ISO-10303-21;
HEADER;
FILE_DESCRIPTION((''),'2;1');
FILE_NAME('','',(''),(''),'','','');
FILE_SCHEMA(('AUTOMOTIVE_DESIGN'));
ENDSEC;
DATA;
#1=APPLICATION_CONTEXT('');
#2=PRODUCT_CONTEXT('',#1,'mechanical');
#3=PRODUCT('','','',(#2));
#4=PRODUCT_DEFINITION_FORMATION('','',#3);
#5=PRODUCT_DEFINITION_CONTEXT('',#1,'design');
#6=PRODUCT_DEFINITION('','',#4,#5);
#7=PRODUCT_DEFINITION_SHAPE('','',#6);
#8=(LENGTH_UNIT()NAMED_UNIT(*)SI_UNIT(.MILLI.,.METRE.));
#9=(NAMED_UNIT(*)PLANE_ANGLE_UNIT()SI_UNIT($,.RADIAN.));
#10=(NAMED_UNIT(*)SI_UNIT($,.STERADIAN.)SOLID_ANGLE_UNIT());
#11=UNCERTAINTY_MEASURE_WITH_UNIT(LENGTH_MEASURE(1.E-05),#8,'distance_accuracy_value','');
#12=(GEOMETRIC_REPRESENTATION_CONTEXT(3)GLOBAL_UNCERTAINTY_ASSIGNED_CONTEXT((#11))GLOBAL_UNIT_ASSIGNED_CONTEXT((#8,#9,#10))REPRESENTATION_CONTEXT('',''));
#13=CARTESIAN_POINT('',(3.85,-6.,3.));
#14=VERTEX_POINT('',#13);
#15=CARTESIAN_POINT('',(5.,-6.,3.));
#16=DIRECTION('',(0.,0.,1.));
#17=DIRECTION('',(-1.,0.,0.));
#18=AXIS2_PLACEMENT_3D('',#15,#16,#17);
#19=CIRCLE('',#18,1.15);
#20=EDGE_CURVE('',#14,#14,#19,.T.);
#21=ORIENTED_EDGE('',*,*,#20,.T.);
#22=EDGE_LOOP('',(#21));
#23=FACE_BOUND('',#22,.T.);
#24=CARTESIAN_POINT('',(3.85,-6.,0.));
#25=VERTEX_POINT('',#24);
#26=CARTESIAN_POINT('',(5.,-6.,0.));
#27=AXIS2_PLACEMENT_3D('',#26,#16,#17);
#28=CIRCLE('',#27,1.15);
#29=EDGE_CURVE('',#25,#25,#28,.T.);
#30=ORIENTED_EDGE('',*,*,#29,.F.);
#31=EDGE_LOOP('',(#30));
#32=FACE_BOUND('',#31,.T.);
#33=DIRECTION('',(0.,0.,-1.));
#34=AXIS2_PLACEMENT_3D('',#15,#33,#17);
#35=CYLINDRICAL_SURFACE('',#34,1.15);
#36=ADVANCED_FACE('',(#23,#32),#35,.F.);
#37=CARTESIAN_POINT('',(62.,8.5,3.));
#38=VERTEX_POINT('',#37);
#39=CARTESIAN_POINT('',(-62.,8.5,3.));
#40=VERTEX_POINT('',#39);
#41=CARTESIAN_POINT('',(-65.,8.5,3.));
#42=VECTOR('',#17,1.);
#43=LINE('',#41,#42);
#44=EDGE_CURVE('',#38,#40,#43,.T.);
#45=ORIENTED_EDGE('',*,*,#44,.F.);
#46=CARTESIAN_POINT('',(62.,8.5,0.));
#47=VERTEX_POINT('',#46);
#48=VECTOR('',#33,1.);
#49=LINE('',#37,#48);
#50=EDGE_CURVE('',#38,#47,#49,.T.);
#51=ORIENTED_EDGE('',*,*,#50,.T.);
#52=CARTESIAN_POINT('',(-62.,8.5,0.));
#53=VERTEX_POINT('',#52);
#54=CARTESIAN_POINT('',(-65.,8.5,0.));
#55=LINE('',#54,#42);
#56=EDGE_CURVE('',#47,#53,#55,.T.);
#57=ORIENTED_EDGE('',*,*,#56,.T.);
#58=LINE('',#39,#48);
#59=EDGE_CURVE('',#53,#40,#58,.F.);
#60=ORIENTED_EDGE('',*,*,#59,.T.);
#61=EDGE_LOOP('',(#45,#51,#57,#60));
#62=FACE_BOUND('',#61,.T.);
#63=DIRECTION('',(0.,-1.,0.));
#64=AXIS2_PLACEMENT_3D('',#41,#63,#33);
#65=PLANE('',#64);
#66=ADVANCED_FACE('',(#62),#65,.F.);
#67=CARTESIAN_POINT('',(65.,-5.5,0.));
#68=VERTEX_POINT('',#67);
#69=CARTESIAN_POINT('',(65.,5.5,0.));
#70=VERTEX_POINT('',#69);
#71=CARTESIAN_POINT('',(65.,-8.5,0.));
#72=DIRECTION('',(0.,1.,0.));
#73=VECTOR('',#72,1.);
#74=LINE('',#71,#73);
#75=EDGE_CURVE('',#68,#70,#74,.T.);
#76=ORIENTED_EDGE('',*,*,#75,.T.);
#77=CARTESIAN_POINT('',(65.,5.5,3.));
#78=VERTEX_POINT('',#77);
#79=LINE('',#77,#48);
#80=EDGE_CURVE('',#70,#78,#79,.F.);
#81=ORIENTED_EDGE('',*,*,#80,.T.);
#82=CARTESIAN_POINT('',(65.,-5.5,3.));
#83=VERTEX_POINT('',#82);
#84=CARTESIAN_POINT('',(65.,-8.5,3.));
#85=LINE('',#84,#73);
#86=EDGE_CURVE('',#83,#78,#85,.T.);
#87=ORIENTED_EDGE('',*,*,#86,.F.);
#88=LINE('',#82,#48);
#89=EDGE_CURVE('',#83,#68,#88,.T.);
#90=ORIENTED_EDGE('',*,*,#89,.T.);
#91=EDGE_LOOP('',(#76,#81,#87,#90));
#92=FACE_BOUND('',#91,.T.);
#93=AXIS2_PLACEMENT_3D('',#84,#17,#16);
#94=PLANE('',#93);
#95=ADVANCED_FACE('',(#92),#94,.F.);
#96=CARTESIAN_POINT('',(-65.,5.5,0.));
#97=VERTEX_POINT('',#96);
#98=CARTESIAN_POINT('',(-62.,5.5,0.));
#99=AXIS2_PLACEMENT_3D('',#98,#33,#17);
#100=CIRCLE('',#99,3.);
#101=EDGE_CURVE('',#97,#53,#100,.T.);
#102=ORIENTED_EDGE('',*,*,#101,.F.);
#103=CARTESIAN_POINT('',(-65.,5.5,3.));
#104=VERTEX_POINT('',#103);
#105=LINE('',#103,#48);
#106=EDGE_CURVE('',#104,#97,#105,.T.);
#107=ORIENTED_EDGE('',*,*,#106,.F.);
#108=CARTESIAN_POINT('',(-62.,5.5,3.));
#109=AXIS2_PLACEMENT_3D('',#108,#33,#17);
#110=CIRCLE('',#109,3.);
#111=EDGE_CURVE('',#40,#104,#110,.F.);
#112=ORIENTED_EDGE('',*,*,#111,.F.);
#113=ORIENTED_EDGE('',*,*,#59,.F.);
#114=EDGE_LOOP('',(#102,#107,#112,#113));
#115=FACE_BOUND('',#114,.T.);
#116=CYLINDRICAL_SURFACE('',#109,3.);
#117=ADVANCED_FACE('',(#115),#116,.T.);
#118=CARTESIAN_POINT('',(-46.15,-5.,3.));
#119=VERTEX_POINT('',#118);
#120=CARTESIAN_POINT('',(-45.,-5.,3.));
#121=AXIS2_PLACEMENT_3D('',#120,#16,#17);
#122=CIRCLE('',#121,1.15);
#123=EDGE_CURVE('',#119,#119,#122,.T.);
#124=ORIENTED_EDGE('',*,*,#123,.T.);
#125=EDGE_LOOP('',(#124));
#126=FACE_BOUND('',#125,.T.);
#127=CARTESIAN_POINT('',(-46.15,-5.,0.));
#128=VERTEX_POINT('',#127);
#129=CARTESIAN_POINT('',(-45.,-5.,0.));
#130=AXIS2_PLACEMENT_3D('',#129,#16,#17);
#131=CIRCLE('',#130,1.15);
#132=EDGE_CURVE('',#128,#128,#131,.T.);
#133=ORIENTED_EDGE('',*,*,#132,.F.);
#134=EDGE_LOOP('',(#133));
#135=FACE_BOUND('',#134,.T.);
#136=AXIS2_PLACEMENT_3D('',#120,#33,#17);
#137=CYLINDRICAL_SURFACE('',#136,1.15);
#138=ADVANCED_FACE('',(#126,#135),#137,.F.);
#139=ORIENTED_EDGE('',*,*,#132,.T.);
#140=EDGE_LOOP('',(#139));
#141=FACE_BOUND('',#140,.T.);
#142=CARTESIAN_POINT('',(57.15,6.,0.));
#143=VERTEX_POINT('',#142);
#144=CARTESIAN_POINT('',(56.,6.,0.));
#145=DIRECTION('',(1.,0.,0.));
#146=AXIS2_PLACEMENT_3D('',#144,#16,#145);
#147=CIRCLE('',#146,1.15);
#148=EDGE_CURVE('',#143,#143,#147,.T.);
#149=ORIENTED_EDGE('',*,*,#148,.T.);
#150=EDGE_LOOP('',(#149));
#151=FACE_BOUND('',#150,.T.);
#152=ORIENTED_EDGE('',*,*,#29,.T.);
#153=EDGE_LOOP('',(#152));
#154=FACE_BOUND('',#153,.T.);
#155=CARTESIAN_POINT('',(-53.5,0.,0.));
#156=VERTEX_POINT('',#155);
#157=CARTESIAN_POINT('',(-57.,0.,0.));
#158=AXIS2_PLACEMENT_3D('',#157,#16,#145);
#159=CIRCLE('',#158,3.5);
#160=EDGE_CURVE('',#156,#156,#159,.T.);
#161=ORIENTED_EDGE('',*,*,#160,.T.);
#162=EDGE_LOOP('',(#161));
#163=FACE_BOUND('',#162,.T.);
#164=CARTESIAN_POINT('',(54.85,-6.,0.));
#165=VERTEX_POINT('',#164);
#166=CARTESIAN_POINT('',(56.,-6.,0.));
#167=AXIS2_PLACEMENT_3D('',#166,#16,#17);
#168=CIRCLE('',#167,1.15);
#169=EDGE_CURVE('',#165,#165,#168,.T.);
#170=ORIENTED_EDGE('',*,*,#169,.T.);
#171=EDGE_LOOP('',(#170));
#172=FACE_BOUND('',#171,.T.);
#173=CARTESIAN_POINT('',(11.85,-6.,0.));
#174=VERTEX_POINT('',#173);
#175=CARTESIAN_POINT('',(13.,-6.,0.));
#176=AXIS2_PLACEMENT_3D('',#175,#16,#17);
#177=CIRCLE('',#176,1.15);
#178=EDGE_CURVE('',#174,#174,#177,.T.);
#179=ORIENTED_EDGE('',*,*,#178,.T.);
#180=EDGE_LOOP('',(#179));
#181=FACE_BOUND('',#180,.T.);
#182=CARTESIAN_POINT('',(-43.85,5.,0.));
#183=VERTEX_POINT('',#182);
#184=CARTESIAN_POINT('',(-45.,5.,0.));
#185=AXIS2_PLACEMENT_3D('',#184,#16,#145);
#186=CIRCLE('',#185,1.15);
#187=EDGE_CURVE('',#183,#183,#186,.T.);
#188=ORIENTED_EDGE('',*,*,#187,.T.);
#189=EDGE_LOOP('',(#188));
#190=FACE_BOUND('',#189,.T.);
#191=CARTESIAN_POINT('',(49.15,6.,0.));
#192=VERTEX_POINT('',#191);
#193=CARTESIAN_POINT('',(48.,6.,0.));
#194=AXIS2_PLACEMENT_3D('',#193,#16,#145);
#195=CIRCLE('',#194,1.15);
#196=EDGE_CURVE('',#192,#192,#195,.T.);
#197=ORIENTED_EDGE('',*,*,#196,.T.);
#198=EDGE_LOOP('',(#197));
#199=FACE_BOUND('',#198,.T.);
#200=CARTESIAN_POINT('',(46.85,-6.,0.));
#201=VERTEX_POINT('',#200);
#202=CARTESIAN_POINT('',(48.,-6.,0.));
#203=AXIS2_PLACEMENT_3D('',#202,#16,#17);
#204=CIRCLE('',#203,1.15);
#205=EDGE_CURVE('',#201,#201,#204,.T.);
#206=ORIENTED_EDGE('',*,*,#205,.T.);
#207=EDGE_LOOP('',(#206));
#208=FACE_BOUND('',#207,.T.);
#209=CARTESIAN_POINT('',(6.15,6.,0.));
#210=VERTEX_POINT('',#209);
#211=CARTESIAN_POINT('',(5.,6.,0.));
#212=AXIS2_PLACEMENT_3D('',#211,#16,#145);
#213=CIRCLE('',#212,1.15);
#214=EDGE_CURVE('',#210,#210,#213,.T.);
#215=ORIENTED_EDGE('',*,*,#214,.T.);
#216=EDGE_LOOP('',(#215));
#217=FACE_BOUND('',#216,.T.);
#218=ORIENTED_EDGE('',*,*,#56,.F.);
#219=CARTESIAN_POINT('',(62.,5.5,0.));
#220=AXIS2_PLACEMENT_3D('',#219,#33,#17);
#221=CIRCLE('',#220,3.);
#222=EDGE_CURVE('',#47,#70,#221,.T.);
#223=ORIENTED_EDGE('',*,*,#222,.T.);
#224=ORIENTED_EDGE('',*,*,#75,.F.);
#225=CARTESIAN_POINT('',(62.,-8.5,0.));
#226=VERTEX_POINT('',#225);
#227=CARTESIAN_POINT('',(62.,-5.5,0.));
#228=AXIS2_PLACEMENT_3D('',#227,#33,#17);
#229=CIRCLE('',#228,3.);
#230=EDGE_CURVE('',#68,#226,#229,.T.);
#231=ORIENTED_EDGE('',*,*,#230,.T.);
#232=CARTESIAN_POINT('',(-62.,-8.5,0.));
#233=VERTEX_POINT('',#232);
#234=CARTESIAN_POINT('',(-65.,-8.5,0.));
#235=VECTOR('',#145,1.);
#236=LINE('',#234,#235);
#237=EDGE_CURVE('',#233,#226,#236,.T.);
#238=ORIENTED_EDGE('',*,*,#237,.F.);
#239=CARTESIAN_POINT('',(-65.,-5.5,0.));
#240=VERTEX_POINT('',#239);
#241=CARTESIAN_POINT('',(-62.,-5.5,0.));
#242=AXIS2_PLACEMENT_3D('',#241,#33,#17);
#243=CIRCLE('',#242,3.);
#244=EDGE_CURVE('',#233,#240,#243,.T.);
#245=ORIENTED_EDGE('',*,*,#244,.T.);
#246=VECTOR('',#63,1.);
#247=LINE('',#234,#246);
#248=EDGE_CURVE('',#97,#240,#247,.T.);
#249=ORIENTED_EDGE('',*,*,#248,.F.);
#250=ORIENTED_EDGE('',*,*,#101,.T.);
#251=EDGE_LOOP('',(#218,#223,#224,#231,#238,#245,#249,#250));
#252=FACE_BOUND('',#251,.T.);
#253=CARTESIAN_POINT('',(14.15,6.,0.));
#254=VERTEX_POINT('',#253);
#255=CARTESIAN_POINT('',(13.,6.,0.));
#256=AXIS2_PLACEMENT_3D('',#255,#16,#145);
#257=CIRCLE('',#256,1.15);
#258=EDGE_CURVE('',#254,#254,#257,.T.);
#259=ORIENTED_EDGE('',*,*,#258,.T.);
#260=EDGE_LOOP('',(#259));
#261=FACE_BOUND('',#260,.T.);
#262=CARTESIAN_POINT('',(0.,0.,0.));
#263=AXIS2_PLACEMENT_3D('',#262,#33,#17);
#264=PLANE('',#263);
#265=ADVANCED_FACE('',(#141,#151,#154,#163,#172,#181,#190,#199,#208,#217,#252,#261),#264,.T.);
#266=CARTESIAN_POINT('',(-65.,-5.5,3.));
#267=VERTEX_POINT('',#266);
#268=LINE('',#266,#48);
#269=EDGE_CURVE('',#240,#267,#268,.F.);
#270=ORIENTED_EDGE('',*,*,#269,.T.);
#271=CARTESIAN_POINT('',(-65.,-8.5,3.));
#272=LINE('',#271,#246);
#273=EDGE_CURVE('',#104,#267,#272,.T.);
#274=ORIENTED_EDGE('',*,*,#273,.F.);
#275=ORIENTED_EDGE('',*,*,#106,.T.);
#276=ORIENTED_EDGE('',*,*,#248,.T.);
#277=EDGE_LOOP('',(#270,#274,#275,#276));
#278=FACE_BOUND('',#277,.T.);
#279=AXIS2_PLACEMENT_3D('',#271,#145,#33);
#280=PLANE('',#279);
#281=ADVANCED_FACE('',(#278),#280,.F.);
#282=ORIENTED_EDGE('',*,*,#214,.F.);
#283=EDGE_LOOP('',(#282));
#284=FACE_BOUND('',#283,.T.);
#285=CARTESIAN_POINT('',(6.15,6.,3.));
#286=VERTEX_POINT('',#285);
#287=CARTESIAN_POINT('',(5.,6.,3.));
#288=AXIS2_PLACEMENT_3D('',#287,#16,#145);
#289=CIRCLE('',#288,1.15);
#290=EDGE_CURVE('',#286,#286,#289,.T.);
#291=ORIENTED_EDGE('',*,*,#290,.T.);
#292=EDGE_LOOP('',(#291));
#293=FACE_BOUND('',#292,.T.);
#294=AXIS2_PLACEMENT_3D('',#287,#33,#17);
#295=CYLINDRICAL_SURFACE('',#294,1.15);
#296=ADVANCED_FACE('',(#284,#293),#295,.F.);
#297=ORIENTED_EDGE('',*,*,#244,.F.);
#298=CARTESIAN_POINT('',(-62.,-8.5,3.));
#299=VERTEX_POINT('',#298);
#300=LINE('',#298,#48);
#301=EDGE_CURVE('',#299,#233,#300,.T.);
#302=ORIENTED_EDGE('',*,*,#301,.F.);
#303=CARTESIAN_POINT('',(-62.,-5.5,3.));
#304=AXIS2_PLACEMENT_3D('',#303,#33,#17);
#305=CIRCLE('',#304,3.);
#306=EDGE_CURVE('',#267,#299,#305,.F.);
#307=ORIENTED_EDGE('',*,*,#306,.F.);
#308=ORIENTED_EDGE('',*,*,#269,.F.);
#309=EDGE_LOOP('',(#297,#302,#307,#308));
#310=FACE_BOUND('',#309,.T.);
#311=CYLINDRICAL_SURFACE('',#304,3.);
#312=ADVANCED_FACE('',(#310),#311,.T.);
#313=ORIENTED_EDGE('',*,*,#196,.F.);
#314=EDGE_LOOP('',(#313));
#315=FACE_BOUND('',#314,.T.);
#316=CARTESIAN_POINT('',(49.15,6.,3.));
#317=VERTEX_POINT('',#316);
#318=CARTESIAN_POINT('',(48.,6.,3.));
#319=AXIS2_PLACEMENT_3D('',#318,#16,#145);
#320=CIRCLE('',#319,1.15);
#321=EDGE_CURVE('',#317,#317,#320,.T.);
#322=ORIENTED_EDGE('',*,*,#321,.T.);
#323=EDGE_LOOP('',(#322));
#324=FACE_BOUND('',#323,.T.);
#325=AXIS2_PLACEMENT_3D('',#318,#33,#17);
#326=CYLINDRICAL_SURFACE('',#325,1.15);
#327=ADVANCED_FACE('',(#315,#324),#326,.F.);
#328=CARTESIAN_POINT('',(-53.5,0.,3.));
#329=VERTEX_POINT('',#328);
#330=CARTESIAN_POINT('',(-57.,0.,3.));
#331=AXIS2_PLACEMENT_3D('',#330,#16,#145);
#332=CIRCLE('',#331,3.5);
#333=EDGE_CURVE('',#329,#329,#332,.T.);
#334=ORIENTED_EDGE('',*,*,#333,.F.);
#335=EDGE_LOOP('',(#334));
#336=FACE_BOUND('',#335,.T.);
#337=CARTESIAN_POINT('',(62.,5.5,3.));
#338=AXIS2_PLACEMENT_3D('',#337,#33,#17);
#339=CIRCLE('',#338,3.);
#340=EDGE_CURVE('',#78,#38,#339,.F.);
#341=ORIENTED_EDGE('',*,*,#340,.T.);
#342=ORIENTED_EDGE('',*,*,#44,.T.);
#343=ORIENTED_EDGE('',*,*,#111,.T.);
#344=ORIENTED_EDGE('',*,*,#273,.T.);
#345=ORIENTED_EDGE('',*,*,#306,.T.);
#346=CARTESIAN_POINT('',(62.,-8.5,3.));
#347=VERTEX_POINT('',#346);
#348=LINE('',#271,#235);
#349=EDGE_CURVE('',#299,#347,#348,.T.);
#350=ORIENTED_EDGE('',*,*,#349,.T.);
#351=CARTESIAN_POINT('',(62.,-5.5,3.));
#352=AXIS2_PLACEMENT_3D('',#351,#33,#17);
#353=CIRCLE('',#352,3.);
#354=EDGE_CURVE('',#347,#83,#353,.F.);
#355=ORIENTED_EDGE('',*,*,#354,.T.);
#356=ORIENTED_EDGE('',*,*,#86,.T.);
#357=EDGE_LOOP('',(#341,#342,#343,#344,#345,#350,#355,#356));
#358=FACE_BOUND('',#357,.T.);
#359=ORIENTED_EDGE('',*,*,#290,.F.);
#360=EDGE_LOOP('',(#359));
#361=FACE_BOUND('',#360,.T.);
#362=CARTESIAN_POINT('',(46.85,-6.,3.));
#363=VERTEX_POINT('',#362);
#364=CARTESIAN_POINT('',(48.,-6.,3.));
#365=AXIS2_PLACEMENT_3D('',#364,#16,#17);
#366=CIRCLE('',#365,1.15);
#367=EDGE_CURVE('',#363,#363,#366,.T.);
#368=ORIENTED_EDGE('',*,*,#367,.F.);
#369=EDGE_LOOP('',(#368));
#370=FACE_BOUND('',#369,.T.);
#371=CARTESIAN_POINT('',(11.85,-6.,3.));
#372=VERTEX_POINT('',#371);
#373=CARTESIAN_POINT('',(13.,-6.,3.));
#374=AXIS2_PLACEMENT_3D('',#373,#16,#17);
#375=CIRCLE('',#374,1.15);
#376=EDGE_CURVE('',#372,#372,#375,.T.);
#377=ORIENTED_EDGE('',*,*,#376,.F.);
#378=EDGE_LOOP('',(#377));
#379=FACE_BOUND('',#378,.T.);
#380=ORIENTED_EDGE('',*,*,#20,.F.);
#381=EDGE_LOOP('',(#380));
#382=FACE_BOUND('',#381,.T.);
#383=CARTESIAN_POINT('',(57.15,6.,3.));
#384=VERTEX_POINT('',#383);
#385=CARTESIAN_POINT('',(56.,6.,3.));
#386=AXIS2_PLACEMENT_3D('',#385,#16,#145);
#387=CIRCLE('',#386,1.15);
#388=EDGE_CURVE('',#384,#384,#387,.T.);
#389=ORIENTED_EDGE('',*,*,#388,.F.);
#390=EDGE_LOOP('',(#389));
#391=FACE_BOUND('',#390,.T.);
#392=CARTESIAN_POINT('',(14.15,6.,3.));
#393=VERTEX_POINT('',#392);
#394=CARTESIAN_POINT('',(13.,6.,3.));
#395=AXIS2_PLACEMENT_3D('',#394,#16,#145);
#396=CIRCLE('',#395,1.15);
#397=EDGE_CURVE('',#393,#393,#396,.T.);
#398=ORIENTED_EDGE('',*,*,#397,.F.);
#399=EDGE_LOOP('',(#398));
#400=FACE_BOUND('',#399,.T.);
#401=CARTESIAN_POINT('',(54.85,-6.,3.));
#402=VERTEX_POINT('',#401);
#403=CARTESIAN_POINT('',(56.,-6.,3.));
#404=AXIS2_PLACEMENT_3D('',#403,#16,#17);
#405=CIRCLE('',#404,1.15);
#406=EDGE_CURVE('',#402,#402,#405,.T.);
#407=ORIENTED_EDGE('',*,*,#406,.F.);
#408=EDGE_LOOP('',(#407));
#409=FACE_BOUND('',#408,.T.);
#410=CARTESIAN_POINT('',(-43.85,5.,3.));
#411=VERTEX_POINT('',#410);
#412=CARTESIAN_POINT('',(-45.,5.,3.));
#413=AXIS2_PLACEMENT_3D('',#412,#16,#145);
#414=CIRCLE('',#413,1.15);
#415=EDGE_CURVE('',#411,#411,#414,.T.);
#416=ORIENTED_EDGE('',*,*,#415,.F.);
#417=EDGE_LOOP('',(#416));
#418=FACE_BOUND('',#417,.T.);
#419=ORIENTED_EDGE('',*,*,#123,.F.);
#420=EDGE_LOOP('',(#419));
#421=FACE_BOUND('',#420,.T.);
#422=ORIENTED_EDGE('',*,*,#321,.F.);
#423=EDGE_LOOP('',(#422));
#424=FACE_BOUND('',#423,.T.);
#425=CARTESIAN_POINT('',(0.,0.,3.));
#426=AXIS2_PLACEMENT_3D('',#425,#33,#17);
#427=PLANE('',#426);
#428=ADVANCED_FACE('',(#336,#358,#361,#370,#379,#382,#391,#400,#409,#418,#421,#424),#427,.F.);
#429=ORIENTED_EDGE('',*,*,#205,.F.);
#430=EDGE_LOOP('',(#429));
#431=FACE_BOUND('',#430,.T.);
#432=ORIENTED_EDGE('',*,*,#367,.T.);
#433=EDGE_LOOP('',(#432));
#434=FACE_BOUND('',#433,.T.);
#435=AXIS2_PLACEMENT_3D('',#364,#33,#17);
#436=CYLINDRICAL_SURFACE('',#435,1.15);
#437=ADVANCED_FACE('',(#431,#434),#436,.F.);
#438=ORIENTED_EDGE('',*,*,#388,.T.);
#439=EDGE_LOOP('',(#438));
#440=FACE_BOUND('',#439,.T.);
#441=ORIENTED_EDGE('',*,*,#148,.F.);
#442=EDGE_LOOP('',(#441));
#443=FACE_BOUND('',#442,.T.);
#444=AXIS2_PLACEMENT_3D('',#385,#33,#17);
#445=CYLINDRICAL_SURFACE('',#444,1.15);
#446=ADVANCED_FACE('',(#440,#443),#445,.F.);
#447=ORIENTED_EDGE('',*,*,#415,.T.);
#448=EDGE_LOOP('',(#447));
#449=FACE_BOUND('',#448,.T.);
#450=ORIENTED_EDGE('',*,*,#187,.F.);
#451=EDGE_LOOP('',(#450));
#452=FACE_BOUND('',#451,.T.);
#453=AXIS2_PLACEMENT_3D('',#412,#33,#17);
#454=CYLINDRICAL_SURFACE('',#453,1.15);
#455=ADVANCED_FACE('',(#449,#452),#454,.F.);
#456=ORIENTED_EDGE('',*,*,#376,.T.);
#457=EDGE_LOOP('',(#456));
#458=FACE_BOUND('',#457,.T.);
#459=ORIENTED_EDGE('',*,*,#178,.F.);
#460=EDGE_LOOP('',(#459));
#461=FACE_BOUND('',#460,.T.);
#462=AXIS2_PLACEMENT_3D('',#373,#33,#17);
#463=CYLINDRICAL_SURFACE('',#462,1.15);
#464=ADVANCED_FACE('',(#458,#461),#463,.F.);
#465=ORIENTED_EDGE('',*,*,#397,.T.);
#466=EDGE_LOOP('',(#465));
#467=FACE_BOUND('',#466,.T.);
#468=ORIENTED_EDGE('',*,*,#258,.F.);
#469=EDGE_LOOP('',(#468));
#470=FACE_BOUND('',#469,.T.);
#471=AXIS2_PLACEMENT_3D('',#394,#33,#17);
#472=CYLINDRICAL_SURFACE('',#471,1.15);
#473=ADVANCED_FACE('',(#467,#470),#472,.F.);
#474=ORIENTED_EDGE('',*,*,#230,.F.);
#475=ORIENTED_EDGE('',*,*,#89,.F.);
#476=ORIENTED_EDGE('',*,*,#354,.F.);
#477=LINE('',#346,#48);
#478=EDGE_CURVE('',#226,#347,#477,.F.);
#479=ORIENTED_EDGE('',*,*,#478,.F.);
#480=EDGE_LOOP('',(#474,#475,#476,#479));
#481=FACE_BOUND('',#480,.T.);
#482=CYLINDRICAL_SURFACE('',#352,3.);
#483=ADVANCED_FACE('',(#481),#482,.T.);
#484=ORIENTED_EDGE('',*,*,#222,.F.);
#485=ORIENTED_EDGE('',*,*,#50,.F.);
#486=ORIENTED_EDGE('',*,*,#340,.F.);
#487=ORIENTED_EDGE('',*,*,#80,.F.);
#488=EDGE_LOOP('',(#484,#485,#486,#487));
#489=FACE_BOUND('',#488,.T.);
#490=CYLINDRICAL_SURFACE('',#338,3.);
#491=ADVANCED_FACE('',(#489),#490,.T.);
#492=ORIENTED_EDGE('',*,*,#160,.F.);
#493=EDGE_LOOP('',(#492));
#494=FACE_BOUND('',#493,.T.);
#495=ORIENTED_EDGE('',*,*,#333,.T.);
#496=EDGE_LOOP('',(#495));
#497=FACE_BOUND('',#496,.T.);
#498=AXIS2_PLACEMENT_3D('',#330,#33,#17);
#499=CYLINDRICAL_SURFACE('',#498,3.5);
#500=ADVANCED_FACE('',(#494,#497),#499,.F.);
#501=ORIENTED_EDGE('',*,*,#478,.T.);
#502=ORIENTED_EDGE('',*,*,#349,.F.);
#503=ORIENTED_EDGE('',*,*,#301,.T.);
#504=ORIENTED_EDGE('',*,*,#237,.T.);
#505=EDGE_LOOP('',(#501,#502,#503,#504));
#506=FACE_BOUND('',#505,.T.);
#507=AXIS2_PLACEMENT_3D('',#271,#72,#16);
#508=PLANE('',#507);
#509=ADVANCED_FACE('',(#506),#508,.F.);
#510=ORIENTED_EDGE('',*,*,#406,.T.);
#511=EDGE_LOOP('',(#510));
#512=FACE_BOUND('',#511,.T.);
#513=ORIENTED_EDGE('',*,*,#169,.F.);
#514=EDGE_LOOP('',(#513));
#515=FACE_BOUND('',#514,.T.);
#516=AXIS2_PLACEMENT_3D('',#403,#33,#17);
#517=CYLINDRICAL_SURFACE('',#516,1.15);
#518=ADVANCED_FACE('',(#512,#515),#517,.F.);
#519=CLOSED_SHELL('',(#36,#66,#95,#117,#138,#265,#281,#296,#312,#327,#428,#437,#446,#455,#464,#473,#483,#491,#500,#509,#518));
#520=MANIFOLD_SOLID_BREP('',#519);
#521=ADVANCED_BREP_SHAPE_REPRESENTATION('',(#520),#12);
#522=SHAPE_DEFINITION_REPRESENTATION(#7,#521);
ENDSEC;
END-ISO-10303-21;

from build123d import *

# Parameters (mm, degrees)
SKETCH_1_W      = 130
SKETCH_1_H      = 17
SKETCH_1_R      = 3.5
SKETCH_1_R_2    = 1.15
EXTRUDE_1_DEPTH = 3
FILLET_1_R      = 3


with BuildPart() as part:
    # 草图1 → 凸台-拉伸1 (new body)
    with BuildSketch(Plane.XY):
        Rectangle(SKETCH_1_W, SKETCH_1_H)
        with Locations((-57, 0)):
            Circle(SKETCH_1_R, mode=Mode.SUBTRACT)
        with Locations((-45, 5)):
            Circle(SKETCH_1_R_2, mode=Mode.SUBTRACT)
        with Locations((-45, -5)):
            Circle(SKETCH_1_R_2, mode=Mode.SUBTRACT)
        with Locations((5, 6)):
            Circle(SKETCH_1_R_2, mode=Mode.SUBTRACT)
        with Locations((13, 6)):
            Circle(SKETCH_1_R_2, mode=Mode.SUBTRACT)
        with Locations((5, -6)):
            Circle(SKETCH_1_R_2, mode=Mode.SUBTRACT)
        with Locations((13, -6)):
            Circle(SKETCH_1_R_2, mode=Mode.SUBTRACT)
        with Locations((48, 6)):
            Circle(SKETCH_1_R_2, mode=Mode.SUBTRACT)
        with Locations((56, 6)):
            Circle(SKETCH_1_R_2, mode=Mode.SUBTRACT)
        with Locations((56, -6)):
            Circle(SKETCH_1_R_2, mode=Mode.SUBTRACT)
        with Locations((48, -6)):
            Circle(SKETCH_1_R_2, mode=Mode.SUBTRACT)
    extrude(amount=EXTRUDE_1_DEPTH)

    # 圆角1
    fillet_1_edges = [part.edges().sort_by_distance(p)[0] for p in [
        (65, -8.5, 1.5),
        (-65, -8.5, 1.5),
        (-65, 8.5, 1.5),
        (65, 8.5, 1.5),
    ]]
    fillet(fillet_1_edges, radius=FILLET_1_R)


solid = part.part
